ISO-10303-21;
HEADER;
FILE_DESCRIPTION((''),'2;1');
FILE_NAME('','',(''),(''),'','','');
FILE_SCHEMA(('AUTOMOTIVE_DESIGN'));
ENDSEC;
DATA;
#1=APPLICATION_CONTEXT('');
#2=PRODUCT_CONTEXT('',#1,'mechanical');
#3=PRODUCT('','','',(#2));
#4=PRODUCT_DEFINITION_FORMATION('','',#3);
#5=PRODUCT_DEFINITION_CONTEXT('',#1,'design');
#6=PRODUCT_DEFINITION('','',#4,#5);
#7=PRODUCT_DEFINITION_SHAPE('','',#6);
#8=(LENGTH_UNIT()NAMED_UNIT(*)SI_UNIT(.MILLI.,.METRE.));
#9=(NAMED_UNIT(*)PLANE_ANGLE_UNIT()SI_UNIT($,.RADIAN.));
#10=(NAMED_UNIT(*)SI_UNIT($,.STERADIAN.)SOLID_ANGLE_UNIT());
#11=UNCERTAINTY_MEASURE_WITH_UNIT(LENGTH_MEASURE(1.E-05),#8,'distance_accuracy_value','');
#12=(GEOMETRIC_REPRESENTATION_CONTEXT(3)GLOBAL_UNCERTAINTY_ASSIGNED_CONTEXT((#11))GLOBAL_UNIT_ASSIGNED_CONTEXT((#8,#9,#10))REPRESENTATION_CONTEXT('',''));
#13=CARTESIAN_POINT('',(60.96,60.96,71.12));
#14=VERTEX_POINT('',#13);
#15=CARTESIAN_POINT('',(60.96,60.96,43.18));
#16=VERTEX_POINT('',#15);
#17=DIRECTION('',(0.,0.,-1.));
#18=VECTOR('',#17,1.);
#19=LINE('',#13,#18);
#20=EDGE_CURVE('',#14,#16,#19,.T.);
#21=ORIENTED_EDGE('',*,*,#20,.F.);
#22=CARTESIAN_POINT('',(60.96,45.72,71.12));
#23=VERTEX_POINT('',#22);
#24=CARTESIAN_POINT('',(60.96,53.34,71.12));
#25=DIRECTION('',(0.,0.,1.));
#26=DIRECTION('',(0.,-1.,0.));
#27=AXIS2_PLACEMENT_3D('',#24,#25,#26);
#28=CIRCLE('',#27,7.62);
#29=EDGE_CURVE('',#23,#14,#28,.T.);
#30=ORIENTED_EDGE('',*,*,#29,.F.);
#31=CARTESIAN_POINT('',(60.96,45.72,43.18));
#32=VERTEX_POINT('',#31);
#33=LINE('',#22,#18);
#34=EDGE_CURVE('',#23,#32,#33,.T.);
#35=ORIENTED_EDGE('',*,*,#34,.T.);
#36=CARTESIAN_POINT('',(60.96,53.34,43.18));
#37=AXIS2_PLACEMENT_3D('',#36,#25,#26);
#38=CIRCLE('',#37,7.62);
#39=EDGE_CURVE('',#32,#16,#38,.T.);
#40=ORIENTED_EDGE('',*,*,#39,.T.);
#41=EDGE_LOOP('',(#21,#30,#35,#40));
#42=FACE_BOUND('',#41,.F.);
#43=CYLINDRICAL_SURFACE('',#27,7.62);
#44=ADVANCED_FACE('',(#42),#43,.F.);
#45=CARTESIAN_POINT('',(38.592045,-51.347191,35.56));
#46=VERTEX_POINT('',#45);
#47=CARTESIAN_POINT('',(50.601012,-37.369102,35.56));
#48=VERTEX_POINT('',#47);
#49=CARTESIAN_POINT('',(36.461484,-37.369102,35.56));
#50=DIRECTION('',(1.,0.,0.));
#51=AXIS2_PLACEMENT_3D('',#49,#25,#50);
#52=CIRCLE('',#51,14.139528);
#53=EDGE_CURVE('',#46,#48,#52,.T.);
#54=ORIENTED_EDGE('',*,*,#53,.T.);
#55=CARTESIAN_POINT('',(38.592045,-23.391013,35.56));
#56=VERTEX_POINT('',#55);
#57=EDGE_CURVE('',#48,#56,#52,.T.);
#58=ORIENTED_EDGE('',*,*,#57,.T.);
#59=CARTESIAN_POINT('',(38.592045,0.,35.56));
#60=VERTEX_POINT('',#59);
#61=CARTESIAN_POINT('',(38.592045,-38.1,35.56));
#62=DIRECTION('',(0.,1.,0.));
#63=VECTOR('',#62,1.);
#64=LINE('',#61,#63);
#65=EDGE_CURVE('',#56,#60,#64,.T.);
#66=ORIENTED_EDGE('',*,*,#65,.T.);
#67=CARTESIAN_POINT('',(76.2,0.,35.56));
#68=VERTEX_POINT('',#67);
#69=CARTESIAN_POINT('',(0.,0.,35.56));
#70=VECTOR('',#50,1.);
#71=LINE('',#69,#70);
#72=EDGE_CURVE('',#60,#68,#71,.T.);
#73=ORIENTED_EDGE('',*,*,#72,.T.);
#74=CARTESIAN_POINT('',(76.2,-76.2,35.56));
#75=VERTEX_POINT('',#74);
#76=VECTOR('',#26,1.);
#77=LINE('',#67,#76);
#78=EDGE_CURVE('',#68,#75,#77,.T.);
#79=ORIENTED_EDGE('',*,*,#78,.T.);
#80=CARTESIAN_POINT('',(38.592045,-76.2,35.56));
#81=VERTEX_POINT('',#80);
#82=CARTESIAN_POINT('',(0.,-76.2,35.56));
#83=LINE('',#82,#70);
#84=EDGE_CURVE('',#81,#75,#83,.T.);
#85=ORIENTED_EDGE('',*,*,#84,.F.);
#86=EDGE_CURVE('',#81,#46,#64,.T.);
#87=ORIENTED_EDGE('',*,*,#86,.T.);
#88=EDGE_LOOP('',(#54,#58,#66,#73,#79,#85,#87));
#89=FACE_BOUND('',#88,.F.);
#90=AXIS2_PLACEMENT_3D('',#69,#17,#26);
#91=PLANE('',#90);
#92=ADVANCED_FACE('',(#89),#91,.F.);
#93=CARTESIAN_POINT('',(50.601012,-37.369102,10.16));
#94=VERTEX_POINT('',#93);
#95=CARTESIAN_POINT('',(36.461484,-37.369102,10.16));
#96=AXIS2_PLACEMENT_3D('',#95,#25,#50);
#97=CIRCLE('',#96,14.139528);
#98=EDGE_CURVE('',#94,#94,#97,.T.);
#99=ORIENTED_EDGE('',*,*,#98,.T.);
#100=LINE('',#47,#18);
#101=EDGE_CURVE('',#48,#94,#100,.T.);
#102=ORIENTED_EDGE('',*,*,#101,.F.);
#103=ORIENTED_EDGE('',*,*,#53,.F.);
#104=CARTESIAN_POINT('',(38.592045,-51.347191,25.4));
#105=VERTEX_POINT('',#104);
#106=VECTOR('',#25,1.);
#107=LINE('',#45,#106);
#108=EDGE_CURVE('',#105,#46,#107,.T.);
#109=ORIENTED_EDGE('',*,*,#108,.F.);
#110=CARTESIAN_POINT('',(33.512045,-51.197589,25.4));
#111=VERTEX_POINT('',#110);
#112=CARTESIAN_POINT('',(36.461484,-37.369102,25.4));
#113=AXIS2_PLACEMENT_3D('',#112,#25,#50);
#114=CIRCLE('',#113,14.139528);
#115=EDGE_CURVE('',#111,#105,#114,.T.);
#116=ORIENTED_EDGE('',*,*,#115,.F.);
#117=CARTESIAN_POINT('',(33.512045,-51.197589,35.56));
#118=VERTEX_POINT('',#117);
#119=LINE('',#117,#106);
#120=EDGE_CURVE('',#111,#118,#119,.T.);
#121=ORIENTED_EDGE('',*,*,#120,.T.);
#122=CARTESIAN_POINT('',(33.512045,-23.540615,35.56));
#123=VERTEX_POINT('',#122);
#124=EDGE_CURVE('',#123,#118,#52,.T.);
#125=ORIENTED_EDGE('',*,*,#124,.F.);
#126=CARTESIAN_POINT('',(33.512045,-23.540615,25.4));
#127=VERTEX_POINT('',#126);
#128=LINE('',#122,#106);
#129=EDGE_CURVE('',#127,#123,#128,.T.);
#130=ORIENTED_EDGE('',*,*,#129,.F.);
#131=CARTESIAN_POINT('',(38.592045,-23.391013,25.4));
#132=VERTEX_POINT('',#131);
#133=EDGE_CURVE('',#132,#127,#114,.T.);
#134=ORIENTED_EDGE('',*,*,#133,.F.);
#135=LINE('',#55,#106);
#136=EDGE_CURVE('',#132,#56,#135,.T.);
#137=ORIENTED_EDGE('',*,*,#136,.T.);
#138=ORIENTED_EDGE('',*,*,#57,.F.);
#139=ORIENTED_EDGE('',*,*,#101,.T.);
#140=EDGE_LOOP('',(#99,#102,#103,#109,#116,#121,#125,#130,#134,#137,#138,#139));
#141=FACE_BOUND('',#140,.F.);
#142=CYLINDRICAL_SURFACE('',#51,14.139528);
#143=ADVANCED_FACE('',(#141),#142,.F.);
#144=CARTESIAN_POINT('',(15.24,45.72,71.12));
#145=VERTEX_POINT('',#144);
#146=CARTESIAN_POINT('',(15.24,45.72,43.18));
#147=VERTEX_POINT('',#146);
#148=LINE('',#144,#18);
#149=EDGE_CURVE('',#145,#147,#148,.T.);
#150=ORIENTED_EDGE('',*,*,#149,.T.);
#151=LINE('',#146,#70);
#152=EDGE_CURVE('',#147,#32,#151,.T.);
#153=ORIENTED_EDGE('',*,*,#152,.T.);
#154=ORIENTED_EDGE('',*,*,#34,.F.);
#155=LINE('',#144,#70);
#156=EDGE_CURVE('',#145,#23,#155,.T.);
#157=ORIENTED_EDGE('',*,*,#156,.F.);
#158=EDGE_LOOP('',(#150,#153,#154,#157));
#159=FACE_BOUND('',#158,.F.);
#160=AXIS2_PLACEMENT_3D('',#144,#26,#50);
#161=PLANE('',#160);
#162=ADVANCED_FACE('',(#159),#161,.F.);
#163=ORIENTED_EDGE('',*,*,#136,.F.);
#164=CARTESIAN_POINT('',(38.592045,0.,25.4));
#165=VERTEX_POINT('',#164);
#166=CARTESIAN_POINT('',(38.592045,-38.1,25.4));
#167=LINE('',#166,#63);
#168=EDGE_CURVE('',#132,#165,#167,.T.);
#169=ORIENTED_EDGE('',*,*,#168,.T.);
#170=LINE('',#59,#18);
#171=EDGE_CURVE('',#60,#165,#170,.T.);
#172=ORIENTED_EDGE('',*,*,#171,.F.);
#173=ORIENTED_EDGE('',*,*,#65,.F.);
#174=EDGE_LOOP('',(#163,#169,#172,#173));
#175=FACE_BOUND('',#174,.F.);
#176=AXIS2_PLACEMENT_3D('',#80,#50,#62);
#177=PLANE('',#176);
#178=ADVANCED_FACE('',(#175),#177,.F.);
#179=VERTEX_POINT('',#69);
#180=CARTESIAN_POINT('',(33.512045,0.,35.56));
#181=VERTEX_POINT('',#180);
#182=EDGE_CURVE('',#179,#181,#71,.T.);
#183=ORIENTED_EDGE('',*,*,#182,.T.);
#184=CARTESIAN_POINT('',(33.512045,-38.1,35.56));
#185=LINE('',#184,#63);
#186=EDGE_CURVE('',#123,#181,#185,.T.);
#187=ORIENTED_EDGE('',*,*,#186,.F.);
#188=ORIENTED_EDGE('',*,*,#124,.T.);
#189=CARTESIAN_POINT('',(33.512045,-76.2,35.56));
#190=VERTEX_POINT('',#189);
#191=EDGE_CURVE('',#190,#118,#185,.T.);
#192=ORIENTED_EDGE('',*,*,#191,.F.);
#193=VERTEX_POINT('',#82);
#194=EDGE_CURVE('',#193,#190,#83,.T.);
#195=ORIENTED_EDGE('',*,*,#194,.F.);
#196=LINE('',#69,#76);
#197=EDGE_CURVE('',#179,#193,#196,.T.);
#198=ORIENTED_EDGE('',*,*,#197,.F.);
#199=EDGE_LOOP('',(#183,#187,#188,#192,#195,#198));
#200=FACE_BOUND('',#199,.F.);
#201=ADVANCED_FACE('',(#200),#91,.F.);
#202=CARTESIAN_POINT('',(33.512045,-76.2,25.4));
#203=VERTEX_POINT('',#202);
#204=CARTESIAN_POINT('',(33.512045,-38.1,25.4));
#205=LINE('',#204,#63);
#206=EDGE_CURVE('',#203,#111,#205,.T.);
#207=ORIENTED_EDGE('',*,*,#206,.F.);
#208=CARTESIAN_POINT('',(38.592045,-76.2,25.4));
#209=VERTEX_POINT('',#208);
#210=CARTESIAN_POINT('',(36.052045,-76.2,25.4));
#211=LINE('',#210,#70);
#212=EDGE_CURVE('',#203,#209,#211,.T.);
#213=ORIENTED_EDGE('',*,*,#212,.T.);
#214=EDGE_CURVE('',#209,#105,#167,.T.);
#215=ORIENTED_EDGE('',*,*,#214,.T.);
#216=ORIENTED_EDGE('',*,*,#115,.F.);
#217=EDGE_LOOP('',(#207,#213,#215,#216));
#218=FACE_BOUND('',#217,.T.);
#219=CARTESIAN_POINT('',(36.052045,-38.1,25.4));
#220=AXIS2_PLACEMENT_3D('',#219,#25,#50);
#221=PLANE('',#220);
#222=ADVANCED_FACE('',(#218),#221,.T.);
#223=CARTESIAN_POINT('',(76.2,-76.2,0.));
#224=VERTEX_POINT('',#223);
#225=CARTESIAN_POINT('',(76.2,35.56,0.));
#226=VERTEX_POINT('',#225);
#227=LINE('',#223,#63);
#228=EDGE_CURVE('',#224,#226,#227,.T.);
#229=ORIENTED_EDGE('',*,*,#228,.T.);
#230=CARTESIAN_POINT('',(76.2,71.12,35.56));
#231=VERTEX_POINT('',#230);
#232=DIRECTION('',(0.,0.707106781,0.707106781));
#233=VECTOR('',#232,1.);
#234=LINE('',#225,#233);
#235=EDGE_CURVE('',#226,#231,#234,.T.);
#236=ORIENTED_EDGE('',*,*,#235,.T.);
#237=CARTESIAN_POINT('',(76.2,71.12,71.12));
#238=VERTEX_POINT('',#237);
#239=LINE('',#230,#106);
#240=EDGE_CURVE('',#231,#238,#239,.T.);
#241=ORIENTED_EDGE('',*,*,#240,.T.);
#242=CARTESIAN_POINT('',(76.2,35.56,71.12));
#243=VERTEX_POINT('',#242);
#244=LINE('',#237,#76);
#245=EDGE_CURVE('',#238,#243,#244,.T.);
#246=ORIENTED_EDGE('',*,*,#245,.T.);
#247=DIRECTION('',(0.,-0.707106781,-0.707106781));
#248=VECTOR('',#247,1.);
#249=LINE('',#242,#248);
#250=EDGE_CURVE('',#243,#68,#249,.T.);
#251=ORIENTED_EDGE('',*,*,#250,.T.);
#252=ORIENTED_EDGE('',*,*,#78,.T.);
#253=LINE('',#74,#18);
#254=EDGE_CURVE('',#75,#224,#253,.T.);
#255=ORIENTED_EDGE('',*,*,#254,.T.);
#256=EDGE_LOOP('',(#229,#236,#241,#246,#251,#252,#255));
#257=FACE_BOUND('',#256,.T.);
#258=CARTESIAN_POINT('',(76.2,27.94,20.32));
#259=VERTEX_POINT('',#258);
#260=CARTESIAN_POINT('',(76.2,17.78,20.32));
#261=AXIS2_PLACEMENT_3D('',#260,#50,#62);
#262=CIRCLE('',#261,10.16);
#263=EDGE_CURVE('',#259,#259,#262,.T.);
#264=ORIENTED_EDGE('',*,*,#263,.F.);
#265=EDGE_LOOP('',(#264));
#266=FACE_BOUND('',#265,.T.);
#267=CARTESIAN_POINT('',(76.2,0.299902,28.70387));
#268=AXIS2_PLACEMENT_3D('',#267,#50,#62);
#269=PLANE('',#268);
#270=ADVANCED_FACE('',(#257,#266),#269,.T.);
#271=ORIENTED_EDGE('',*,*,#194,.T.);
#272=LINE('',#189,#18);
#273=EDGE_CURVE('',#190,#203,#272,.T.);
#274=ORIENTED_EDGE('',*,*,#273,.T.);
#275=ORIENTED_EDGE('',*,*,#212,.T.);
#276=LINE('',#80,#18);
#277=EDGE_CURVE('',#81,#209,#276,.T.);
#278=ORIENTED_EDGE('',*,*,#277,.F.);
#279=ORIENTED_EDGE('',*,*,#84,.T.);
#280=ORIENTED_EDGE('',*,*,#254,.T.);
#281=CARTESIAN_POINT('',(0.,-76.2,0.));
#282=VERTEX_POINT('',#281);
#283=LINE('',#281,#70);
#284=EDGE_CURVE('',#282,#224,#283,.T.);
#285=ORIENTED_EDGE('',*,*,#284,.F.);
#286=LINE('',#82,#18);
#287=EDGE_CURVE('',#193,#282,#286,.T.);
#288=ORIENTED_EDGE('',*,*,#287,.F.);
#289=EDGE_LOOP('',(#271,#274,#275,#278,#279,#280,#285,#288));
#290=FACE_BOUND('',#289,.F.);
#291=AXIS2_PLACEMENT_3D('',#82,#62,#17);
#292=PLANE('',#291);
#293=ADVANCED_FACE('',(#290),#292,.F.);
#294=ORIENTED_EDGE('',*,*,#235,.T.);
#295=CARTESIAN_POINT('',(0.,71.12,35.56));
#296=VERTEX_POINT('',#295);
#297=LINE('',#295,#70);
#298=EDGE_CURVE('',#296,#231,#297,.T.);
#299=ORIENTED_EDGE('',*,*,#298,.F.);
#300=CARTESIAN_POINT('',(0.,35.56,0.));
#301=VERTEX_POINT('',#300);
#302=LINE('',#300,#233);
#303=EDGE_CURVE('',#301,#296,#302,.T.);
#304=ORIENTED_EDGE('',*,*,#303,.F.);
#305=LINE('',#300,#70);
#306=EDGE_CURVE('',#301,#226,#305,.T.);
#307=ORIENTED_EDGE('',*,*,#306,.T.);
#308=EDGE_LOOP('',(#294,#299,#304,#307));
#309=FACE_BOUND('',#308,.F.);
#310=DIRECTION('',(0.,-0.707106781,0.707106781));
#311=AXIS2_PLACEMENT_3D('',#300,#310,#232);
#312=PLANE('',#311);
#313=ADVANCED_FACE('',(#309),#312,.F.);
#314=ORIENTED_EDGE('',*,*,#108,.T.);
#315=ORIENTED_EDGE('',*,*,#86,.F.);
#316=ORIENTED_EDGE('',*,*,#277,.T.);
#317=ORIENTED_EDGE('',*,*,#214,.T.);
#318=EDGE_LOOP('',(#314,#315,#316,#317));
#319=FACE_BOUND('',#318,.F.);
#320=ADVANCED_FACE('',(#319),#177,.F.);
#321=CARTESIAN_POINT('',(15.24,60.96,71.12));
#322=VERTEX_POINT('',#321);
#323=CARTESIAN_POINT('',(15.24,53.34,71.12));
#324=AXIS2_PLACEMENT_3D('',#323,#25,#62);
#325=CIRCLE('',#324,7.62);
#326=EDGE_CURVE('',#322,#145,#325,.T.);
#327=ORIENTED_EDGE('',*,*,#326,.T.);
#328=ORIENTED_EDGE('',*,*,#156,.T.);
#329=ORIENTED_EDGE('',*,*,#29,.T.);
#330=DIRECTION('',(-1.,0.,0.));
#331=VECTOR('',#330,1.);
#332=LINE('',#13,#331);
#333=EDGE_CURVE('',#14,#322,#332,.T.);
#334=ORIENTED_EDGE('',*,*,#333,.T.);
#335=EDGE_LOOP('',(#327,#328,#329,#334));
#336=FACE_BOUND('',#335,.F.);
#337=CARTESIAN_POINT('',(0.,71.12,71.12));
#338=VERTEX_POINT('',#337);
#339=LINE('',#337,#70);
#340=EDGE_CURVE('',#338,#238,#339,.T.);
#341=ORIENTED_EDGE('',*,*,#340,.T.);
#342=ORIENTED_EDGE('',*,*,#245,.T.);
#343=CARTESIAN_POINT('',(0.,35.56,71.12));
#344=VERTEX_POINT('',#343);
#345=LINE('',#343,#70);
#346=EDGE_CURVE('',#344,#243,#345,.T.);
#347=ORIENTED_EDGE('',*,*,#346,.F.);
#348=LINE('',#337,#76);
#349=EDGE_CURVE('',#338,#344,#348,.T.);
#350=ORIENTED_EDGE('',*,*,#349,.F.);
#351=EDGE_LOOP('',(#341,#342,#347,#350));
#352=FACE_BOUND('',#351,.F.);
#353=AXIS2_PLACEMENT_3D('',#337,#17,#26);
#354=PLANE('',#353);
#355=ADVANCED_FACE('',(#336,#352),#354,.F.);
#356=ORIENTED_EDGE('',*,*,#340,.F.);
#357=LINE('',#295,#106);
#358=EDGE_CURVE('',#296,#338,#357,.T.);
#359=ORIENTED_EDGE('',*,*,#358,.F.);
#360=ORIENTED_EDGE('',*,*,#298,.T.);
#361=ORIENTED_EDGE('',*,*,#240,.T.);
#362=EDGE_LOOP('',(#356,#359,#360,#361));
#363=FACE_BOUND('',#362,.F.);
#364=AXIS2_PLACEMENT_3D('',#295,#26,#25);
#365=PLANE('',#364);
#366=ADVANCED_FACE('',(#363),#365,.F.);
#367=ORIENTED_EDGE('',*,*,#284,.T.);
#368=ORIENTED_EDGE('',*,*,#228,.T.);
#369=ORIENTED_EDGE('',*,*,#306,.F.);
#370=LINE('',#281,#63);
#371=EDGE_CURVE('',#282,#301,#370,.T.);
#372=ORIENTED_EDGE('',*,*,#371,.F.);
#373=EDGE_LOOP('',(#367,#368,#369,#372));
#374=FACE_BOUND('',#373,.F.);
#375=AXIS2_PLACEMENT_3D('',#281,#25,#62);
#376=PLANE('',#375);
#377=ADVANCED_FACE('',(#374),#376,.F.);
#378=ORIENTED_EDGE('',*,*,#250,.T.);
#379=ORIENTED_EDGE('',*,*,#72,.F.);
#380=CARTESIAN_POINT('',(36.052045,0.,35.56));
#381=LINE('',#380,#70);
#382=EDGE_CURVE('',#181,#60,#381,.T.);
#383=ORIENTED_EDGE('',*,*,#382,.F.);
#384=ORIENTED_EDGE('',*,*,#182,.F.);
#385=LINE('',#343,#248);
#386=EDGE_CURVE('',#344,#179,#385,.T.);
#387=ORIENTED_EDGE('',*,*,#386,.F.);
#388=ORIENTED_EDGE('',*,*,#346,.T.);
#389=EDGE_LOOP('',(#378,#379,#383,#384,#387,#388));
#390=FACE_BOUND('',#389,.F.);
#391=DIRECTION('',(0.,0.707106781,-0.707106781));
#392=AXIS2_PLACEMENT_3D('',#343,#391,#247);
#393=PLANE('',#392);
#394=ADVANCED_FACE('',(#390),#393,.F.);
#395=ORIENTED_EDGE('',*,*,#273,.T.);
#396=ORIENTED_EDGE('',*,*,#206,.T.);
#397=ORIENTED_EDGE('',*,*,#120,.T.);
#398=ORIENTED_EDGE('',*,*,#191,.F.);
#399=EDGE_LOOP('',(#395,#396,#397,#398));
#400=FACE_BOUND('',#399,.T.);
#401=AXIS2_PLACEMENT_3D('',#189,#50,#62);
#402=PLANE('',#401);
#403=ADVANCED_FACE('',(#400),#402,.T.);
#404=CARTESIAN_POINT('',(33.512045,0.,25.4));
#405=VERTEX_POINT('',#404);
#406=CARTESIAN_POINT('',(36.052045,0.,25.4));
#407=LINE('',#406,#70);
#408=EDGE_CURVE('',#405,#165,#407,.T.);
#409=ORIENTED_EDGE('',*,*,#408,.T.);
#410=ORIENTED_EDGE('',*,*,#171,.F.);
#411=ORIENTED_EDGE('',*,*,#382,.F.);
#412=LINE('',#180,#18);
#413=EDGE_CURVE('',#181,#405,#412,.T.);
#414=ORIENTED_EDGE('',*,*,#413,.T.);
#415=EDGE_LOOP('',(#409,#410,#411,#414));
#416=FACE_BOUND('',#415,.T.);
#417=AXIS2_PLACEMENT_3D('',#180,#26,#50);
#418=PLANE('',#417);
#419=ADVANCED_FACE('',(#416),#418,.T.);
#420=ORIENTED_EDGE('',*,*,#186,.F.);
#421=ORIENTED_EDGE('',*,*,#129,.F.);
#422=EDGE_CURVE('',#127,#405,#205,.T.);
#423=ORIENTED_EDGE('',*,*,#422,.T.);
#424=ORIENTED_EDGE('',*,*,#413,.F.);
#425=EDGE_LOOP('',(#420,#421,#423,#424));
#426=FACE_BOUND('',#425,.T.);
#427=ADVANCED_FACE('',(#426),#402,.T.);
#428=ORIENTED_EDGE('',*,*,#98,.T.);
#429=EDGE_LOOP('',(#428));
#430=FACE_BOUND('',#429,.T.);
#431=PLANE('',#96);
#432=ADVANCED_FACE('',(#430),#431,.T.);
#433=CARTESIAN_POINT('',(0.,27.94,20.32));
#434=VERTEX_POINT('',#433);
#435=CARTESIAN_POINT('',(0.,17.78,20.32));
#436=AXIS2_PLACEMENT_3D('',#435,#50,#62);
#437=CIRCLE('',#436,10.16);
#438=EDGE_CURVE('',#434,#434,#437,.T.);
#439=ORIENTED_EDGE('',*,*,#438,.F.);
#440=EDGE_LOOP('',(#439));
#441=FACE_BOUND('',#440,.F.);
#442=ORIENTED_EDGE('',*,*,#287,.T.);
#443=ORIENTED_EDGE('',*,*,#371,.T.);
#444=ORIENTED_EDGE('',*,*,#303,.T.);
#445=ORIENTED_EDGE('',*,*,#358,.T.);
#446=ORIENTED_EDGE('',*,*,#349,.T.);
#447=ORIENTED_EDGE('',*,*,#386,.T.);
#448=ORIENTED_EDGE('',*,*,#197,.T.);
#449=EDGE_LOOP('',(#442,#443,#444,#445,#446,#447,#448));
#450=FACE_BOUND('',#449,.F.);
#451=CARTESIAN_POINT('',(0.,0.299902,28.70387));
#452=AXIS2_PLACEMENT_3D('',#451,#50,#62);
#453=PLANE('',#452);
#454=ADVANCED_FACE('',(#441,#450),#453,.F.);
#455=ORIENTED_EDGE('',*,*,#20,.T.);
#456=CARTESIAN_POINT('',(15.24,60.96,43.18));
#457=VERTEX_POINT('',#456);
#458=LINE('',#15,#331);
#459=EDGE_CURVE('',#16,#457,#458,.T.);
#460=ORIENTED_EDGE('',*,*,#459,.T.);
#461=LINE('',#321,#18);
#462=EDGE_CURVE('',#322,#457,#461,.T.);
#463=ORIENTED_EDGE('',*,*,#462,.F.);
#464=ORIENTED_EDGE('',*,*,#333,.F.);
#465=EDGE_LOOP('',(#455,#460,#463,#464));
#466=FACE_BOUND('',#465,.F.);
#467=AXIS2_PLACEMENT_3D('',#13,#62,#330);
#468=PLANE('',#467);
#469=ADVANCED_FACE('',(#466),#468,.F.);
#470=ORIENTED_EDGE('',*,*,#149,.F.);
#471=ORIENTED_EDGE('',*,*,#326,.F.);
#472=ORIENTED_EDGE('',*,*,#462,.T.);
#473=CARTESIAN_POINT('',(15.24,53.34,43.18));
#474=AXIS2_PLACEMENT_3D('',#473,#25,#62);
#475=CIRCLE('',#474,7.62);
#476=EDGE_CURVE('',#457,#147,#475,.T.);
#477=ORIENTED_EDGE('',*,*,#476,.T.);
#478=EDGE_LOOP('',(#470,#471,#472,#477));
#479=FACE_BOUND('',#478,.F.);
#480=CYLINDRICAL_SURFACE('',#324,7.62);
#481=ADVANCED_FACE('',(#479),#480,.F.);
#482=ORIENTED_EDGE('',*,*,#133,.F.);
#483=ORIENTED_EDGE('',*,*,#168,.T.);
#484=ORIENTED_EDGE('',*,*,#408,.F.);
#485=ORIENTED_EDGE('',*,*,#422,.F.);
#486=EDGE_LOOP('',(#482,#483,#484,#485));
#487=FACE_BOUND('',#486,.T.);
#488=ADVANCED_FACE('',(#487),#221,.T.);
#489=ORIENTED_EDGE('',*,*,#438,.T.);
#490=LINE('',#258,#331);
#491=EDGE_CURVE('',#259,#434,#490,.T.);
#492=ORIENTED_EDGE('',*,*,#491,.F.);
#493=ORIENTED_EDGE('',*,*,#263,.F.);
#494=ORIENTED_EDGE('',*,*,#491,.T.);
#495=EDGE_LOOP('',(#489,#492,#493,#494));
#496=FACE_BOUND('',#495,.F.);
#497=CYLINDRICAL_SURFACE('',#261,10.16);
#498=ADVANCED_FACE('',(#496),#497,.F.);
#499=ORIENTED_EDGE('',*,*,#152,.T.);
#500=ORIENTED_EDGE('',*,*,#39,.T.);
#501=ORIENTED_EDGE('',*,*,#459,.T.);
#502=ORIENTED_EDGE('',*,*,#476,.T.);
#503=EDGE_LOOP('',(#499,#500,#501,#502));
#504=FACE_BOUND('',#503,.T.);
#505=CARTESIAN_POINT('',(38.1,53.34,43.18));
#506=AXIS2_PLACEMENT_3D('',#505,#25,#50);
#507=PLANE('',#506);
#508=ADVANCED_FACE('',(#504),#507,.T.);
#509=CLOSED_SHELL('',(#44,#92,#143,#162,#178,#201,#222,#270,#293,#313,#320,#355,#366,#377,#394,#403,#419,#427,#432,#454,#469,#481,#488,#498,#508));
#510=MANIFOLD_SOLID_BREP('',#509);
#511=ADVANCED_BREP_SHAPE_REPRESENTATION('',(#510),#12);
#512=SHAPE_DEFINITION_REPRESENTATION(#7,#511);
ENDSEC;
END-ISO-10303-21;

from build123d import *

# Parameters (mm, degrees)
F1_DEPTH = 76.2
F3_DEPTH = 27.94
F4_R     = 10.16
F5_DEPTH = 76.201
F6_W     = 5.08
F6_H     = 76.2
F7_DEPTH = 10.16
F8_R     = 14.139528
F9_DEPTH = 25.4


with BuildPart() as f1:
    # F0 (on Right) → F1 (new body)
    with BuildSketch(Plane.YZ):
        Polygon((-76.2, 35.56), (-76.2, 0), (35.56, 0), (71.12, 35.56), (71.12, 71.12), (35.56, 71.12), (0, 35.56), align=None)
    extrude(amount=F1_DEPTH)

    # F2 (on face) → F3 (cut)
    with BuildSketch(Plane.XY.offset(71.12)):
        with BuildLine():
            Line((60.96, 60.96), (15.24, 60.96))
            ThreePointArc((15.24, 60.96), (7.62, 53.34), (15.24, 45.72))
            Line((15.24, 45.72), (60.96, 45.72))
            ThreePointArc((60.96, 45.72), (68.58, 53.34), (60.96, 60.96))
        make_face()
    extrude(amount=-F3_DEPTH, mode=Mode.SUBTRACT)

    # F4 (on face) → F5 (cut, through all)
    with BuildSketch(Plane.YZ.offset(76.2)):
        with Locations((17.78, 20.32)):
            Circle(F4_R)
    extrude(amount=-F5_DEPTH, mode=Mode.SUBTRACT)

    # F6 (on face) → F7 (cut)
    with BuildSketch(Plane.XY.offset(35.56)):
        with Locations((36.052045, -38.1)):
            Rectangle(F6_W, F6_H)
    extrude(amount=-F7_DEPTH, mode=Mode.SUBTRACT)

    # F8 (on face) → F9 (cut)
    with BuildSketch(Plane.XY.offset(35.56)):
        with Locations((36.461484, -37.369102)):
            Circle(F8_R)
    extrude(amount=-F9_DEPTH, mode=Mode.SUBTRACT)


solid = f1.part
